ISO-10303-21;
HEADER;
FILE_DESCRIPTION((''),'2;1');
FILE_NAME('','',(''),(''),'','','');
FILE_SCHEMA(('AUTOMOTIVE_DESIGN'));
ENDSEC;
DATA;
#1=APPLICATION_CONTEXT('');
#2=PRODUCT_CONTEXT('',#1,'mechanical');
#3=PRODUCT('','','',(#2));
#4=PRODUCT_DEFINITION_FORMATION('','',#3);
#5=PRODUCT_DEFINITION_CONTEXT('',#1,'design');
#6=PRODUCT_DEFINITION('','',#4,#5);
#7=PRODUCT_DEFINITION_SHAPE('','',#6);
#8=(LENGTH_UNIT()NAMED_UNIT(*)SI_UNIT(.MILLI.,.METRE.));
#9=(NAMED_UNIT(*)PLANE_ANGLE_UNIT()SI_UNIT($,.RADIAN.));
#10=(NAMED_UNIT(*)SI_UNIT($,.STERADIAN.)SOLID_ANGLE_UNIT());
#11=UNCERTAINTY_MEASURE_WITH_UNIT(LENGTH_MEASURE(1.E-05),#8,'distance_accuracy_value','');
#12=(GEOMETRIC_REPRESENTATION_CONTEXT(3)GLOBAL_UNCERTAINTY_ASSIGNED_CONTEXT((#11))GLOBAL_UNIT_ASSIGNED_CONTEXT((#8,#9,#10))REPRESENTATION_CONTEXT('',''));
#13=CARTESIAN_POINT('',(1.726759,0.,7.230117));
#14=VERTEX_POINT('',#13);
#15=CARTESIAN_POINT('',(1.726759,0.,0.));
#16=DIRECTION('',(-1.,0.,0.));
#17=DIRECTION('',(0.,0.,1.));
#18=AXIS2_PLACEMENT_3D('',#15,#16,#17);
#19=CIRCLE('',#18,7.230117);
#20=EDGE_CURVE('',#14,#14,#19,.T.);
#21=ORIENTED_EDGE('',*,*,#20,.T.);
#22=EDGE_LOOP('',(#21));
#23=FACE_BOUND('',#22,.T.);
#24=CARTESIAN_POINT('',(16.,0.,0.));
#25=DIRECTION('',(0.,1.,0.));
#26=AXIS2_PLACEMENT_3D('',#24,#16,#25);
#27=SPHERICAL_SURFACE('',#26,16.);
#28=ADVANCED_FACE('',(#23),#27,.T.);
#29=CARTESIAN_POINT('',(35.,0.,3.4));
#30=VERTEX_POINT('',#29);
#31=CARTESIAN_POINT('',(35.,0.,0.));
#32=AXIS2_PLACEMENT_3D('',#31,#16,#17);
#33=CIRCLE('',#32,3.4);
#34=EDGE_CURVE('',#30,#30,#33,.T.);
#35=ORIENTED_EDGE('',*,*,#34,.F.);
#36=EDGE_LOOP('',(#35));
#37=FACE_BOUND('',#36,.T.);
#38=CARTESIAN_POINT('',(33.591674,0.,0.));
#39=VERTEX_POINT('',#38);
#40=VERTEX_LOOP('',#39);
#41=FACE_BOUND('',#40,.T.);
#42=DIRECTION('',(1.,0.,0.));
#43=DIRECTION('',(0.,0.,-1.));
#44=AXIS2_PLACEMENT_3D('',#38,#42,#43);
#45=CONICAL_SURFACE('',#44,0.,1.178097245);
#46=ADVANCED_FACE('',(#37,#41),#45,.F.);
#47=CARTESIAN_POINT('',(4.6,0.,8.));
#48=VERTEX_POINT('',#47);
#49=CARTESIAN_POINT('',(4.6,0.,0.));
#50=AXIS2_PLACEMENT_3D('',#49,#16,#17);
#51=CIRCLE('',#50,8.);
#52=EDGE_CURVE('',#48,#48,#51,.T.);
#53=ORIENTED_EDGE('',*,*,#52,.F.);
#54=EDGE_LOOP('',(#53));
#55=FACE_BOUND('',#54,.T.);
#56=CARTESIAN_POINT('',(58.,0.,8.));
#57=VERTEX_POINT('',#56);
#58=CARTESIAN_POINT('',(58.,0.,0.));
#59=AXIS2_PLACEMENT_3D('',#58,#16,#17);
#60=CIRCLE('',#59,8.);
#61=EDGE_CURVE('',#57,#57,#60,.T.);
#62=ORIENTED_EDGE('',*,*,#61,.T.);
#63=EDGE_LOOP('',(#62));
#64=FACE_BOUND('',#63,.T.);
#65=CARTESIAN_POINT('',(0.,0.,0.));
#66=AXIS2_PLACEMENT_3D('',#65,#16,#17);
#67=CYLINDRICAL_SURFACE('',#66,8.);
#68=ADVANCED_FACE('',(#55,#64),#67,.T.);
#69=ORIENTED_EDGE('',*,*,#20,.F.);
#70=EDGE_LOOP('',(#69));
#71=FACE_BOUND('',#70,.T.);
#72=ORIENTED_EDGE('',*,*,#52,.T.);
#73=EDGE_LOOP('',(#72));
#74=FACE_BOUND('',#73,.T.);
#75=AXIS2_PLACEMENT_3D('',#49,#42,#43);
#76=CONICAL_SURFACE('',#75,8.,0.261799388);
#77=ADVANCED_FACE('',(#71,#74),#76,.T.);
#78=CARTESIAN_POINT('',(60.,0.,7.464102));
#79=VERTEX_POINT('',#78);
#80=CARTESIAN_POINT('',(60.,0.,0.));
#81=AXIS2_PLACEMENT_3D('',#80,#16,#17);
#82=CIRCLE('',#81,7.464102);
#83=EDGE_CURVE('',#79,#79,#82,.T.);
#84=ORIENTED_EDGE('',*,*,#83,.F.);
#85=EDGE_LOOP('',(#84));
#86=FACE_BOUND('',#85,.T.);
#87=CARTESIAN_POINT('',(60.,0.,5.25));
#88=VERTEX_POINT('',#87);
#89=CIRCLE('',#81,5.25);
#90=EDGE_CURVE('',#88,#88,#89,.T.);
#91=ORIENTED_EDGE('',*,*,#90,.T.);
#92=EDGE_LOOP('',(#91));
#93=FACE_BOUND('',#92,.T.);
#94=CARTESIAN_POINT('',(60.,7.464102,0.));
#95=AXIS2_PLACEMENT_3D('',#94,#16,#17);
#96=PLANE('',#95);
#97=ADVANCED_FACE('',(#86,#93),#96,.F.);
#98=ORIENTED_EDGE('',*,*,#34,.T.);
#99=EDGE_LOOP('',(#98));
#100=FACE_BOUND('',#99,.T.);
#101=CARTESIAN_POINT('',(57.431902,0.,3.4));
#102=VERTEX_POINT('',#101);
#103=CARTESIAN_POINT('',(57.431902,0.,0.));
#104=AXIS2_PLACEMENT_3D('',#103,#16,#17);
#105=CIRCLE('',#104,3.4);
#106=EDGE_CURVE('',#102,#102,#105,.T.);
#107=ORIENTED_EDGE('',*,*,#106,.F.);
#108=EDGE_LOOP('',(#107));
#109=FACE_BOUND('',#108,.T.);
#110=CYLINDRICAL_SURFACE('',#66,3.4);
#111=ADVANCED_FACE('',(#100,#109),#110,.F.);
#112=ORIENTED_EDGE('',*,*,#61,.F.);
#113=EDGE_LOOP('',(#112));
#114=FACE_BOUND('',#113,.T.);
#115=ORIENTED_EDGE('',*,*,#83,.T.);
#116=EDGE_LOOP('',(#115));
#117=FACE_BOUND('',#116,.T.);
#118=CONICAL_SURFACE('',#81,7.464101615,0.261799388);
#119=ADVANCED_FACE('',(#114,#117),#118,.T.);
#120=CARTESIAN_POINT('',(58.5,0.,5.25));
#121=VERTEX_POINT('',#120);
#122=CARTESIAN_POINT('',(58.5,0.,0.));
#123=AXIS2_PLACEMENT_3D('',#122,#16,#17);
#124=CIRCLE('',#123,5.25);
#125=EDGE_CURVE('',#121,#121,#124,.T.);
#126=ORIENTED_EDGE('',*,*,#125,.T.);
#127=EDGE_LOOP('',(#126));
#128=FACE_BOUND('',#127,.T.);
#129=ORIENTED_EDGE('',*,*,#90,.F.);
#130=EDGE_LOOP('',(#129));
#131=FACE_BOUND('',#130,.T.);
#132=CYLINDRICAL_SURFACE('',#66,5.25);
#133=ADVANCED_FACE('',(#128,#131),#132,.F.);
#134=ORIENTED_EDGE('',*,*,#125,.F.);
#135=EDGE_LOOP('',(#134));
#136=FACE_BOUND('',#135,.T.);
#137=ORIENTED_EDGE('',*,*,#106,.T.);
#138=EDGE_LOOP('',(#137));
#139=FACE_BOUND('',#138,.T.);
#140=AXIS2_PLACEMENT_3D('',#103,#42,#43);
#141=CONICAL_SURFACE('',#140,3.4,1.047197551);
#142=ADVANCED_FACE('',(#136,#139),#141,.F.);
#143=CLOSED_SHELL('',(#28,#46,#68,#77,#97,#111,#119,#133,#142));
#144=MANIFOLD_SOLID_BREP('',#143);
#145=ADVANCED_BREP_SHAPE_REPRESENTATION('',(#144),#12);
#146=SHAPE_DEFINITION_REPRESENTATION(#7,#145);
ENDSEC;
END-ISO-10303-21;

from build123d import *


with BuildPart() as part:
    # BodySke → Body (revolve)
    with BuildSketch(Plane.XY, mode=Mode.PRIVATE) as body_sk:
        with BuildLine():
            Line((4.6, 8), (58, 8))
            Line((58, 8), (60, 7.464101615))
            Line((60, 7.464101615), (60, 5.25))
            Line((60, 5.25), (58.5, 5.25))
            Line((58.5, 5.25), (57.431902002, 3.4))
            Line((57.431902002, 3.4), (35, 3.4))
            Line((35, 3.4), (33.591673888, 0))
            Line((33.591673888, 0), (0, 0))
            ThreePointArc((0, 0), (0.437676073, 3.716728939), (1.726759251, 7.230117462))
            Line((1.726759251, 7.230117462), (4.6, 8))
        make_face()
    revolve(body_sk.sketch.rotate(Axis((0, 0, 0), (1, 0, 0)), 90), axis=Axis((0, 0, 0), (1, 0, 0)))


solid = part.part
